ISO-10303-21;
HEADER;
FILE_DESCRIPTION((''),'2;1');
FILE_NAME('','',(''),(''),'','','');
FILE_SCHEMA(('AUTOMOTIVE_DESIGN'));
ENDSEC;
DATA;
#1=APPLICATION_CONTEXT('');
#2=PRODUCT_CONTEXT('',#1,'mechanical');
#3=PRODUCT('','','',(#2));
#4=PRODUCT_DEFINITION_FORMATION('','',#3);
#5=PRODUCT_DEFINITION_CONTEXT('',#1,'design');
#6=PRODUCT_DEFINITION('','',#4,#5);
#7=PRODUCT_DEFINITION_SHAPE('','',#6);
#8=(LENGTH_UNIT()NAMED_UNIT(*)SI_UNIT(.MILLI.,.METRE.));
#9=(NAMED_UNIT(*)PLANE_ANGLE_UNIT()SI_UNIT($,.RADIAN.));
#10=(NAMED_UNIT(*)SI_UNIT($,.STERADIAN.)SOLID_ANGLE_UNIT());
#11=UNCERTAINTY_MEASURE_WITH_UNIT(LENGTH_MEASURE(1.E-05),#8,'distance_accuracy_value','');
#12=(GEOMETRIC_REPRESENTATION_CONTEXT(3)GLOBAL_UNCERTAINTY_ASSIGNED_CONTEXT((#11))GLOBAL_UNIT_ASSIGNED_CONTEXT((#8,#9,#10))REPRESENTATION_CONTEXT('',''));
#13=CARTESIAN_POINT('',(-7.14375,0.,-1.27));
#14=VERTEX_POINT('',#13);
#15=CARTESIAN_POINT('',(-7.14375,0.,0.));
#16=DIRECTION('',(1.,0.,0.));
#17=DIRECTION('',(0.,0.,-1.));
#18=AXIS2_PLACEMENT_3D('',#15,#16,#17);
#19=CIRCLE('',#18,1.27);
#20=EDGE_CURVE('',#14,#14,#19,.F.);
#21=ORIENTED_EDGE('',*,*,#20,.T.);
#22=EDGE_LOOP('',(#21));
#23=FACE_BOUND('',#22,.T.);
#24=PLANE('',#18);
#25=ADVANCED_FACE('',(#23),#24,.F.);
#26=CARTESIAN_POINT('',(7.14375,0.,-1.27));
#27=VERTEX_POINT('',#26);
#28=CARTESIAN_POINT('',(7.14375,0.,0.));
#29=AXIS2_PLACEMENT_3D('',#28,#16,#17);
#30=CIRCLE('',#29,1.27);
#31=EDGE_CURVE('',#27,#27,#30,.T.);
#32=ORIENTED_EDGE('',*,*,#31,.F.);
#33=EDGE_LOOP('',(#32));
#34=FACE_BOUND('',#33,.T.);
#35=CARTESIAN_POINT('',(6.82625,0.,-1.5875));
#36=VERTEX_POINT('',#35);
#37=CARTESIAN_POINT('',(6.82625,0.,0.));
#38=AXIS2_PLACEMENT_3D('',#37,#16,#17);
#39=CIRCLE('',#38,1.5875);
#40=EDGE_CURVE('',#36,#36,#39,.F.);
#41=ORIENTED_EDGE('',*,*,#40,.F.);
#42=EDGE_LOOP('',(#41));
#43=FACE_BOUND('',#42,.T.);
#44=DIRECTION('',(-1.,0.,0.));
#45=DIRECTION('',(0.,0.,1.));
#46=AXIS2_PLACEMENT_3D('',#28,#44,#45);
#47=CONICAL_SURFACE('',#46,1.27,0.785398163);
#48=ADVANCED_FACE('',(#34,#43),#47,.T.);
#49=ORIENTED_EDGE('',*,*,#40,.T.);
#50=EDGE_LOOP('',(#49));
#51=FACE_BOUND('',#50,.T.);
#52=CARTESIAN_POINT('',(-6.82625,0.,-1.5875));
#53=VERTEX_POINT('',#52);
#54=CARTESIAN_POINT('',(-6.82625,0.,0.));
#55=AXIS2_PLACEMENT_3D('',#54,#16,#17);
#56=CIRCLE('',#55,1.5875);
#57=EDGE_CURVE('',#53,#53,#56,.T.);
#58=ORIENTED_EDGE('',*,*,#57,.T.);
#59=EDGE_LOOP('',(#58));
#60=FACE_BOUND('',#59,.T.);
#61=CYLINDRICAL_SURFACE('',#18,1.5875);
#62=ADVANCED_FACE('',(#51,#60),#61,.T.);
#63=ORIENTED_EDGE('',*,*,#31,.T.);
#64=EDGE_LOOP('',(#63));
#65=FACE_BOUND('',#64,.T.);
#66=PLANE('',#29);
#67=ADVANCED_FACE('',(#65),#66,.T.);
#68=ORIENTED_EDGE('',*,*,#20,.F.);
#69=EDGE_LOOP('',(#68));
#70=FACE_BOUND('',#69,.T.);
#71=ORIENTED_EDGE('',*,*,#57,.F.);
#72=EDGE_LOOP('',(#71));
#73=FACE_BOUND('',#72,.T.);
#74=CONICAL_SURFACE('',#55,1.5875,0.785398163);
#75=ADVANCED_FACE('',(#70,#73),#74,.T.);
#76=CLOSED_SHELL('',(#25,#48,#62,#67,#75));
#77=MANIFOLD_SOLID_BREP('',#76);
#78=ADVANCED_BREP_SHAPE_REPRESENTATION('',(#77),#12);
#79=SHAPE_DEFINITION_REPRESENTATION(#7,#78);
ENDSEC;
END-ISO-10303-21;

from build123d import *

# Parameters (mm, degrees)
SKETCH2_R           = 1.5875
EXTRUDE1_DEPTH      = 7.14375
EXTRUDE1_DEPTH_BACK = 7.14375
CHAMFER1_SIZE       = 0.3175


with BuildPart() as part:
    # Sketch2 → Extrude1 (new body, two sides)
    with BuildSketch(Plane(origin=(0, 0, 0), x_dir=(0, 0, -1), z_dir=(1, 0, 0))) as extrude1_sk:
        Circle(SKETCH2_R)
    extrude(amount=EXTRUDE1_DEPTH)
    extrude(extrude1_sk.sketch, amount=-EXTRUDE1_DEPTH_BACK)

    # Chamfer1
    chamfer1_edges = [part.edges().sort_by_distance(p)[0] for p in [
        (-7.14375, 0, 1.5875),
        (7.14375, 0, 1.5875),
    ]]
    chamfer(chamfer1_edges, length=CHAMFER1_SIZE)


solid = part.part
